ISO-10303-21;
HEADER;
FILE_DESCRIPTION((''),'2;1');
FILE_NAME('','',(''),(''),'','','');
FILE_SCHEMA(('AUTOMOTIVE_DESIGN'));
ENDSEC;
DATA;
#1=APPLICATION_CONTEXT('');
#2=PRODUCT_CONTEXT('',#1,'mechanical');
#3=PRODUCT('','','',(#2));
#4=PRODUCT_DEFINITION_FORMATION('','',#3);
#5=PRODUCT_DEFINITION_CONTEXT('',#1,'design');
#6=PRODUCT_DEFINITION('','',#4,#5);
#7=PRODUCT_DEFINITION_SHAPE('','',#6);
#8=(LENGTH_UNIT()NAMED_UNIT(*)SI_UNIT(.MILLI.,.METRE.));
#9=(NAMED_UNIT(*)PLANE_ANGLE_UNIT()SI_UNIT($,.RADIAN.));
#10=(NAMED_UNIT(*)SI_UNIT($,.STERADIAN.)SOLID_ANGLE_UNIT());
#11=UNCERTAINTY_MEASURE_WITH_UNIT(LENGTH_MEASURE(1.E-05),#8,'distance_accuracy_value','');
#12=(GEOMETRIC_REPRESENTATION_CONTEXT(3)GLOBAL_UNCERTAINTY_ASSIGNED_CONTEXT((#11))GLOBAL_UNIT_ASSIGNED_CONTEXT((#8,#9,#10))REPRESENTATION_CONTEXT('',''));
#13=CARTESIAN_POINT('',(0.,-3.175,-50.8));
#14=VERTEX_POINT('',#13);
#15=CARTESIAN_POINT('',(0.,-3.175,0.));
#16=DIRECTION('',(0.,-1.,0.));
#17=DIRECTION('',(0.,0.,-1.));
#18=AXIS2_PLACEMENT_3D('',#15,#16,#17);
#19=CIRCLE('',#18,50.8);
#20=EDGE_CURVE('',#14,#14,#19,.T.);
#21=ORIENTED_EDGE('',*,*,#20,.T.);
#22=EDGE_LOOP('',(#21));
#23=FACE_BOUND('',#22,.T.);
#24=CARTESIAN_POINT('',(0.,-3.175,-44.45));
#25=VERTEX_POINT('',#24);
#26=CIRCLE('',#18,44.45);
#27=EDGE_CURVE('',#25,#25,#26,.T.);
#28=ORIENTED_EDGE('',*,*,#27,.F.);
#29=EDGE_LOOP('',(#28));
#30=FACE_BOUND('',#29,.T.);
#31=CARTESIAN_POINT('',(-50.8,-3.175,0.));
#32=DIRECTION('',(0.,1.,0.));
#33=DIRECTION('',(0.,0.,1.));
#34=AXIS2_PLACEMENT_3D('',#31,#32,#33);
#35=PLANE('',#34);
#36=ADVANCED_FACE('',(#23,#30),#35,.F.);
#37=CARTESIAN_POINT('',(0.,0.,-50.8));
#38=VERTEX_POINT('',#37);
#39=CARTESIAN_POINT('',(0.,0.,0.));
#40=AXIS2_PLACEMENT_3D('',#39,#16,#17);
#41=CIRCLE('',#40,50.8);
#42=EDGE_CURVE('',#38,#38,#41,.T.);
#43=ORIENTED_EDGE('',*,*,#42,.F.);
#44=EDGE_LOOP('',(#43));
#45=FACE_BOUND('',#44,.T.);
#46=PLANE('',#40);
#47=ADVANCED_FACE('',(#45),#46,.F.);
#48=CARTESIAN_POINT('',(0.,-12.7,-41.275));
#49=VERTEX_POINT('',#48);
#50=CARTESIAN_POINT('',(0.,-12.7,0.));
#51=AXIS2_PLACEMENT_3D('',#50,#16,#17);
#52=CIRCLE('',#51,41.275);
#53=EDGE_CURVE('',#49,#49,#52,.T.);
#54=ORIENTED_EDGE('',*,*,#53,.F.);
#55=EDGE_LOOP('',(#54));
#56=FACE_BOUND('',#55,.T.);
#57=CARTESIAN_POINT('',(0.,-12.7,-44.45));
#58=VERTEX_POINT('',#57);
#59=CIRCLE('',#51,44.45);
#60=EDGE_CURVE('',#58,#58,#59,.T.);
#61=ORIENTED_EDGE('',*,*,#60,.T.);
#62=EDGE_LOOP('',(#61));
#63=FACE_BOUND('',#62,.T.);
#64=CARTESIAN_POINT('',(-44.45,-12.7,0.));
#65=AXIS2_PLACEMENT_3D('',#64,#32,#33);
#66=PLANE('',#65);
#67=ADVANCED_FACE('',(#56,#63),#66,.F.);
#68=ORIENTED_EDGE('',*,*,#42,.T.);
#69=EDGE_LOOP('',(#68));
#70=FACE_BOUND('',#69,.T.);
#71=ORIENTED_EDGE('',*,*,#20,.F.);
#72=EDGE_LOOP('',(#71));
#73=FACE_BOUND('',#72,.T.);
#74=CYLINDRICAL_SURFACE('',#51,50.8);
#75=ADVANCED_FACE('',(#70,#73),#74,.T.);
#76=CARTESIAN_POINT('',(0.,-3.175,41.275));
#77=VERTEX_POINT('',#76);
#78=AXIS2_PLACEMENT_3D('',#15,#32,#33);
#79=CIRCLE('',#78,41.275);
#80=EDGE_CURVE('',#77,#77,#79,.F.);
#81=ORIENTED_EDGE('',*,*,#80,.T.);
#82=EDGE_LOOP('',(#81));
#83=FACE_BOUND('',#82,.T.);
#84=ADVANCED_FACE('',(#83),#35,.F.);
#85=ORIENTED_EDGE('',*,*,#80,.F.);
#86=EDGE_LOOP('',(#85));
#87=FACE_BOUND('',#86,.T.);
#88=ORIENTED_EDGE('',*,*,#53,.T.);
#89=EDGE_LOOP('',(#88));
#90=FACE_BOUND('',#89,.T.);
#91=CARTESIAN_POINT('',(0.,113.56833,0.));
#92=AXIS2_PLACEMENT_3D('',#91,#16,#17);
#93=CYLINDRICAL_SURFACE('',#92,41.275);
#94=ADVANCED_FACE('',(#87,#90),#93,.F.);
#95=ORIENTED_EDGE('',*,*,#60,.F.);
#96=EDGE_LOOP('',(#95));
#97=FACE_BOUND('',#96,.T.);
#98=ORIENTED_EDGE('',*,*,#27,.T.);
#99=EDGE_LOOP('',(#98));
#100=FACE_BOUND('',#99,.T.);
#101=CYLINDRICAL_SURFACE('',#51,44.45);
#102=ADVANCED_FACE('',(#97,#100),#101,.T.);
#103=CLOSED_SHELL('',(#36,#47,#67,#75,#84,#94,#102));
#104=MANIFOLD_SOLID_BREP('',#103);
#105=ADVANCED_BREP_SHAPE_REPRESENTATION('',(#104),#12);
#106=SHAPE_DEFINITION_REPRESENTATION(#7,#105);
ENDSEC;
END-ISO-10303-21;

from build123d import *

# Parameters (mm, degrees)
SKETCH2_R          = 41.275
CUT_EXTRUDE1_DEPTH = 9.525


with BuildPart() as part:
    # Sketch1 → Revolve1 (revolve)
    with BuildSketch(Plane.XY):
        Polygon((0, 0), (-50.8, 0), (-50.8, -3.175), (-44.45, -3.175), (-44.45, -12.7), (0, -12.7), align=None)
    revolve(axis=Axis((0, -12.7, 0), (0, 1, 0)))

    # Sketch2 → Cut-Extrude1 (cut)
    with BuildSketch(Plane.XZ.offset(12.7)):
        Circle(SKETCH2_R)
    extrude(amount=-CUT_EXTRUDE1_DEPTH, mode=Mode.SUBTRACT)


solid = part.part
